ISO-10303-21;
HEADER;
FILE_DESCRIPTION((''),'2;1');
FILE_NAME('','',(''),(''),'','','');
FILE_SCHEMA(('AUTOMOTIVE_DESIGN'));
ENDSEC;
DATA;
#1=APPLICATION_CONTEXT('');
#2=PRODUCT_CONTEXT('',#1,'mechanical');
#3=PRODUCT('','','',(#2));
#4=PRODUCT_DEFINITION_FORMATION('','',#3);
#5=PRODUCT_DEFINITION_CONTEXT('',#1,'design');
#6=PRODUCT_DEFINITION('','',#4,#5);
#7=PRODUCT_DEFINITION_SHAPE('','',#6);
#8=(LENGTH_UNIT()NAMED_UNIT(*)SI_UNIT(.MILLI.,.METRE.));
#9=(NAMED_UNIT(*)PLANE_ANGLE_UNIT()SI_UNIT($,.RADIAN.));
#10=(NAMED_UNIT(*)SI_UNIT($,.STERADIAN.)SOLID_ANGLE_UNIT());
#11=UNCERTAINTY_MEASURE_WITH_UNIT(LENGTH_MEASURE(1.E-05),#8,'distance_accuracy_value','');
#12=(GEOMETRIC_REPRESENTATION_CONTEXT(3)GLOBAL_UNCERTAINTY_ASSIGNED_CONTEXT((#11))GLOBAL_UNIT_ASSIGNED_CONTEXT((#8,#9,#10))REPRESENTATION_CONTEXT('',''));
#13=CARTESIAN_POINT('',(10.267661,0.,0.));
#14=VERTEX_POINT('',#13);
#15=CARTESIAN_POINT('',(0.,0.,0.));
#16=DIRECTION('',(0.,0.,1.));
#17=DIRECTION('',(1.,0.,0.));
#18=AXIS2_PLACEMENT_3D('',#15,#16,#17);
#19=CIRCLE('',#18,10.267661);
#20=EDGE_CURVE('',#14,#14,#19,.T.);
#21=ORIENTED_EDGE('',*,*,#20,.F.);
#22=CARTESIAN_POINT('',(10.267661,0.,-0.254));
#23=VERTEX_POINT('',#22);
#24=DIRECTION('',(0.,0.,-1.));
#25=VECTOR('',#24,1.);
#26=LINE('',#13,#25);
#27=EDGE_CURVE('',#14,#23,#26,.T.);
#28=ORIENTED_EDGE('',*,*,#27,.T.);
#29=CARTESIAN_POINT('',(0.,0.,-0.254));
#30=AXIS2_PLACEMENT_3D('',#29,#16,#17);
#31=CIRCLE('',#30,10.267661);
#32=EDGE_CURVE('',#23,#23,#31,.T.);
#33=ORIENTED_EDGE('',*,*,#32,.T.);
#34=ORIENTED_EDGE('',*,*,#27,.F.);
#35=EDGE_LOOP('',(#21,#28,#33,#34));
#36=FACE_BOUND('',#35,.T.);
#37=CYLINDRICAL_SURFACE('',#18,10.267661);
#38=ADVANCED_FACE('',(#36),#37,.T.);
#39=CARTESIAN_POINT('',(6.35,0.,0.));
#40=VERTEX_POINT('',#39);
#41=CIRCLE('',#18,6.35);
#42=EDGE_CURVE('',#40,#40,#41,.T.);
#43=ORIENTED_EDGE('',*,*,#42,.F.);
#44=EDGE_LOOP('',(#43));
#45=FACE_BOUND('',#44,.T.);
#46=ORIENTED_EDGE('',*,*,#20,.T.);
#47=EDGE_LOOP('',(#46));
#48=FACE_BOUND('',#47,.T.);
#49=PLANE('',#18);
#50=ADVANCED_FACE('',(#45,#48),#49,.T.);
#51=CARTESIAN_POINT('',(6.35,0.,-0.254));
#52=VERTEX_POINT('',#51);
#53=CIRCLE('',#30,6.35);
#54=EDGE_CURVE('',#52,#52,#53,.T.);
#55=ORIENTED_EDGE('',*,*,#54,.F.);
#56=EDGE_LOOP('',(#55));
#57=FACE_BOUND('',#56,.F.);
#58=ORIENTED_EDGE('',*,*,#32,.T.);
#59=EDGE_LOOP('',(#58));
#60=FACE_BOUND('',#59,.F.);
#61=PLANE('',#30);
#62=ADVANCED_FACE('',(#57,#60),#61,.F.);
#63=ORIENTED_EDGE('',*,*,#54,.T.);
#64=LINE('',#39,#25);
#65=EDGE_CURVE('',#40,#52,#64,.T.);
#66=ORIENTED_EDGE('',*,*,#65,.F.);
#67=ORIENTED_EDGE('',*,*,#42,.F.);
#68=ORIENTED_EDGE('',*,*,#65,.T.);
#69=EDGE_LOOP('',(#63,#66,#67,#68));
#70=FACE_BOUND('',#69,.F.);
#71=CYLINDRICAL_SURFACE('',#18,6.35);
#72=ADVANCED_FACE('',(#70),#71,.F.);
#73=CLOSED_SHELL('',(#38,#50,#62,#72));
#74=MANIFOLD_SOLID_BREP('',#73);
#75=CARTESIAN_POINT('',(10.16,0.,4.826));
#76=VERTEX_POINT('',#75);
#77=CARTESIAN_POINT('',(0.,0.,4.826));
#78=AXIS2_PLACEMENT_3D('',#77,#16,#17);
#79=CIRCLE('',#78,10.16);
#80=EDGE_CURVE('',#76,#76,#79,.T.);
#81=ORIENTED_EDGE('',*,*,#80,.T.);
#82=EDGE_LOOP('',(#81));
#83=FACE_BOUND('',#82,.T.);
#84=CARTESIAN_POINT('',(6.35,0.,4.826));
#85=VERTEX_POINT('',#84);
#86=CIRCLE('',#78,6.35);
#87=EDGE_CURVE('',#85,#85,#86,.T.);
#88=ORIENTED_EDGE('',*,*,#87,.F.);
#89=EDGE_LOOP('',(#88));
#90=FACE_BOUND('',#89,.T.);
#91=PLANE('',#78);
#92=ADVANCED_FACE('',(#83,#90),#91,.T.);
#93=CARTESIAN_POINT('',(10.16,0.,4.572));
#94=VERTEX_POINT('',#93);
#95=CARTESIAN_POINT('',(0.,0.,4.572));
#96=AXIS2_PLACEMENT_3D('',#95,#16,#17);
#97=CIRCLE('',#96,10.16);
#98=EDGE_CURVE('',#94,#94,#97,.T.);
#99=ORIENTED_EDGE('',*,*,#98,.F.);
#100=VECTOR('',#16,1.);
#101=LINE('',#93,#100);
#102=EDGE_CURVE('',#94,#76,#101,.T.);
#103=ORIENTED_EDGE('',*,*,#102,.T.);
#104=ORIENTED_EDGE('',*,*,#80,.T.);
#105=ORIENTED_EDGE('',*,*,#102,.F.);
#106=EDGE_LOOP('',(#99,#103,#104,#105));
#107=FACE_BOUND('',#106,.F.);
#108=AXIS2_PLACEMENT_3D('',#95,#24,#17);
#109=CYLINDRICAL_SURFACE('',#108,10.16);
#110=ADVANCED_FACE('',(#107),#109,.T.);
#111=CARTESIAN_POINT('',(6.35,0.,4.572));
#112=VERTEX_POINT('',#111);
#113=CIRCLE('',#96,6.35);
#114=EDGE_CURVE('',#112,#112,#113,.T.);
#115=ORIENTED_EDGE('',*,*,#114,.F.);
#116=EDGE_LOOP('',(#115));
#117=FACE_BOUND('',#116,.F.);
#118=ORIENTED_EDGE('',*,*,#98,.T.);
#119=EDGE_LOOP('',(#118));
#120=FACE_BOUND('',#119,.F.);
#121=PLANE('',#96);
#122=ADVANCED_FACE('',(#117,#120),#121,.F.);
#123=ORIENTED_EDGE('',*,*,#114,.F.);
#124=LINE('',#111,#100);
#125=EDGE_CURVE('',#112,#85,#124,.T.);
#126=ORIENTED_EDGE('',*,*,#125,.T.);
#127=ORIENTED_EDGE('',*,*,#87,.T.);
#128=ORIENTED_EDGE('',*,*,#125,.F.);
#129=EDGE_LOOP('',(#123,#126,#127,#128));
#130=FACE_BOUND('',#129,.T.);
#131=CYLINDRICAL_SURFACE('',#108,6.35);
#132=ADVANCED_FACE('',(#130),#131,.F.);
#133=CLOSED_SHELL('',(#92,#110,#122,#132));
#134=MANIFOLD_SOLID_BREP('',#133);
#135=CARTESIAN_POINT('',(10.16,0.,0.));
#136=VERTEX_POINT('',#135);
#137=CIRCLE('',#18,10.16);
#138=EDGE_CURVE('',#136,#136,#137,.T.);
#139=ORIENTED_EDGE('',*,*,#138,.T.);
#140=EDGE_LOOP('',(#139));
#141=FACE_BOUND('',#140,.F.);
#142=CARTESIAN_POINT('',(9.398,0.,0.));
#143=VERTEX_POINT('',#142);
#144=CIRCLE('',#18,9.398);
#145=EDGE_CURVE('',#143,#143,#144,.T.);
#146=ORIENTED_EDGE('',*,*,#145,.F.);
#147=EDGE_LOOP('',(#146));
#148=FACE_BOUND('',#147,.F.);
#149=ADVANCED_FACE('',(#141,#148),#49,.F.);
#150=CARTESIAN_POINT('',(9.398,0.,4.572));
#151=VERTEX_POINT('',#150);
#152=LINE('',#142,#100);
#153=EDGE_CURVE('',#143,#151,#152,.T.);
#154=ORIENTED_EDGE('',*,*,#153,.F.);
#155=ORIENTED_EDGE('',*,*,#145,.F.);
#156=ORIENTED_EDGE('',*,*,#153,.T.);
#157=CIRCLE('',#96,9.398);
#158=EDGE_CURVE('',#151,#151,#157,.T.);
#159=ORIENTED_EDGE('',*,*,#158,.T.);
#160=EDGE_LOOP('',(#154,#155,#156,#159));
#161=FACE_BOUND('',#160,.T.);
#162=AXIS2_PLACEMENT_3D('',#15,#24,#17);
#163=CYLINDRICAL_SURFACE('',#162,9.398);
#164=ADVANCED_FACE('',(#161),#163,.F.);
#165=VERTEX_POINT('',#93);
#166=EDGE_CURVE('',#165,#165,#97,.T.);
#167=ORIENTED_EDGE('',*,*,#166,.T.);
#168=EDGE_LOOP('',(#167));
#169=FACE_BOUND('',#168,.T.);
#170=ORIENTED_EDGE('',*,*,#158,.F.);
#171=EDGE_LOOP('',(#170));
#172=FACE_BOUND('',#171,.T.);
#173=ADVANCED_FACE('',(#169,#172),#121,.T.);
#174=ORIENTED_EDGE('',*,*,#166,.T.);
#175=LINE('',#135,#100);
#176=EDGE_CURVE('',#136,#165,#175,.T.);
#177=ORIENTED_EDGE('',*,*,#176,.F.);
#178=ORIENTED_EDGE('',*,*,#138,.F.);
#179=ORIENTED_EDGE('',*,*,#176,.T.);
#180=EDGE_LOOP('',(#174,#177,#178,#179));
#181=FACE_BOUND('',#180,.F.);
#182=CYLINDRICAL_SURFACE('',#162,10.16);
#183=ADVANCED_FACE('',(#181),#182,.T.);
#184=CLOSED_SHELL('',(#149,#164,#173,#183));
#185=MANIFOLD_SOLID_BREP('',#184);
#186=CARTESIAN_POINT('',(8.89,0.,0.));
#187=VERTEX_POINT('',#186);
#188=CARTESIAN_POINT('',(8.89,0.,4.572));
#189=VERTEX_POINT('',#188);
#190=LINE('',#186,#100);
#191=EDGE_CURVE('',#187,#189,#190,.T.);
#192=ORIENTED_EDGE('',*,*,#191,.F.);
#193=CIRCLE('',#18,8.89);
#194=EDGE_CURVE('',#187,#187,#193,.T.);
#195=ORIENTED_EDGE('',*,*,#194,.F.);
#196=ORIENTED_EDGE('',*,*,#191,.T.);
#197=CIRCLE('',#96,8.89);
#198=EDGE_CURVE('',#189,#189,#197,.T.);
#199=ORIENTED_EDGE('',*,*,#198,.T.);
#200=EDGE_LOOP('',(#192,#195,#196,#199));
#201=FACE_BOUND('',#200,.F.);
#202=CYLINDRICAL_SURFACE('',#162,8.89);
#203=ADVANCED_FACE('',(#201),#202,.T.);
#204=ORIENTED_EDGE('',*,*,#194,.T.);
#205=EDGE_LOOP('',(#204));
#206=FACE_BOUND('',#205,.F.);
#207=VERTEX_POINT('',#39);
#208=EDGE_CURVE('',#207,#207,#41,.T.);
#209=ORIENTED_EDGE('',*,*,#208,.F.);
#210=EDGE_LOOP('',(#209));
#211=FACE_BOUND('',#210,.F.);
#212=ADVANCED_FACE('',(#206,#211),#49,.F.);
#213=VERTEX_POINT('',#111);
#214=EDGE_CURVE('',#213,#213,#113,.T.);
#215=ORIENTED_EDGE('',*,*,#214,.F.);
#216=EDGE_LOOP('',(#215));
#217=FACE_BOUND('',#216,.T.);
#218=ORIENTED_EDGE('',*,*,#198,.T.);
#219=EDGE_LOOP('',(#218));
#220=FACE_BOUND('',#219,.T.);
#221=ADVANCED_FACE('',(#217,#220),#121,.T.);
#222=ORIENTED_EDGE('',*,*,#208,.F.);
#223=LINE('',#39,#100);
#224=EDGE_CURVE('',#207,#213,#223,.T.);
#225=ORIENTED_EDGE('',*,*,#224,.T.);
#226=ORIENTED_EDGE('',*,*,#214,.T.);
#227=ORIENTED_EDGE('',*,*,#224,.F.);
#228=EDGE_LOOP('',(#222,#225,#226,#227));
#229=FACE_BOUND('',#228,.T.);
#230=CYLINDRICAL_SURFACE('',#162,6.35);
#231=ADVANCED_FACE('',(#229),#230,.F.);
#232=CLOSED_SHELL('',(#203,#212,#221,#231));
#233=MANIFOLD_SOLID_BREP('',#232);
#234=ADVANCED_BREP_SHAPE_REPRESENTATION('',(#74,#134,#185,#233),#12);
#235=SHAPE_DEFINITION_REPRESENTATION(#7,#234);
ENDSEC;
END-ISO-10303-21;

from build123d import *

# Parameters (mm, degrees)
F0_R     = 8.89
F0_R_2   = 6.35
F1_DEPTH = 4.572
F2_R     = 10.16
F2_R_2   = 9.398
F3_DEPTH = 4.572
F4_R     = 10.267661
F4_R_2   = 6.35
F5_DEPTH = 0.254
F6_R     = 10.16
F6_R_2   = 6.35
F7_DEPTH = 0.254


with BuildPart() as f1:
    # F0 (on Top) → F1 (new body)
    with BuildSketch(Plane.XY):
        Circle(F0_R)
        Circle(F0_R_2, mode=Mode.SUBTRACT)
    extrude(amount=F1_DEPTH)


with BuildPart() as f3:
    # F2 (on Top) → F3 (new body)
    with BuildSketch(Plane.XY):
        Circle(F2_R)
        Circle(F2_R_2, mode=Mode.SUBTRACT)
    extrude(amount=F3_DEPTH)


with BuildPart() as f5:
    # F4 (on Top) → F5 (new body)
    with BuildSketch(Plane.XY):
        Circle(F4_R)
        Circle(F4_R_2, mode=Mode.SUBTRACT)
    extrude(amount=-F5_DEPTH)


with BuildPart() as f7:
    # F6 (on face) → F7 (new body)
    with BuildSketch(Plane.XY.offset(4.572)):
        Circle(F6_R)
        Circle(F6_R_2, mode=Mode.SUBTRACT)
    extrude(amount=F7_DEPTH)


solid = Compound([f1.part, f3.part, f5.part, f7.part])
